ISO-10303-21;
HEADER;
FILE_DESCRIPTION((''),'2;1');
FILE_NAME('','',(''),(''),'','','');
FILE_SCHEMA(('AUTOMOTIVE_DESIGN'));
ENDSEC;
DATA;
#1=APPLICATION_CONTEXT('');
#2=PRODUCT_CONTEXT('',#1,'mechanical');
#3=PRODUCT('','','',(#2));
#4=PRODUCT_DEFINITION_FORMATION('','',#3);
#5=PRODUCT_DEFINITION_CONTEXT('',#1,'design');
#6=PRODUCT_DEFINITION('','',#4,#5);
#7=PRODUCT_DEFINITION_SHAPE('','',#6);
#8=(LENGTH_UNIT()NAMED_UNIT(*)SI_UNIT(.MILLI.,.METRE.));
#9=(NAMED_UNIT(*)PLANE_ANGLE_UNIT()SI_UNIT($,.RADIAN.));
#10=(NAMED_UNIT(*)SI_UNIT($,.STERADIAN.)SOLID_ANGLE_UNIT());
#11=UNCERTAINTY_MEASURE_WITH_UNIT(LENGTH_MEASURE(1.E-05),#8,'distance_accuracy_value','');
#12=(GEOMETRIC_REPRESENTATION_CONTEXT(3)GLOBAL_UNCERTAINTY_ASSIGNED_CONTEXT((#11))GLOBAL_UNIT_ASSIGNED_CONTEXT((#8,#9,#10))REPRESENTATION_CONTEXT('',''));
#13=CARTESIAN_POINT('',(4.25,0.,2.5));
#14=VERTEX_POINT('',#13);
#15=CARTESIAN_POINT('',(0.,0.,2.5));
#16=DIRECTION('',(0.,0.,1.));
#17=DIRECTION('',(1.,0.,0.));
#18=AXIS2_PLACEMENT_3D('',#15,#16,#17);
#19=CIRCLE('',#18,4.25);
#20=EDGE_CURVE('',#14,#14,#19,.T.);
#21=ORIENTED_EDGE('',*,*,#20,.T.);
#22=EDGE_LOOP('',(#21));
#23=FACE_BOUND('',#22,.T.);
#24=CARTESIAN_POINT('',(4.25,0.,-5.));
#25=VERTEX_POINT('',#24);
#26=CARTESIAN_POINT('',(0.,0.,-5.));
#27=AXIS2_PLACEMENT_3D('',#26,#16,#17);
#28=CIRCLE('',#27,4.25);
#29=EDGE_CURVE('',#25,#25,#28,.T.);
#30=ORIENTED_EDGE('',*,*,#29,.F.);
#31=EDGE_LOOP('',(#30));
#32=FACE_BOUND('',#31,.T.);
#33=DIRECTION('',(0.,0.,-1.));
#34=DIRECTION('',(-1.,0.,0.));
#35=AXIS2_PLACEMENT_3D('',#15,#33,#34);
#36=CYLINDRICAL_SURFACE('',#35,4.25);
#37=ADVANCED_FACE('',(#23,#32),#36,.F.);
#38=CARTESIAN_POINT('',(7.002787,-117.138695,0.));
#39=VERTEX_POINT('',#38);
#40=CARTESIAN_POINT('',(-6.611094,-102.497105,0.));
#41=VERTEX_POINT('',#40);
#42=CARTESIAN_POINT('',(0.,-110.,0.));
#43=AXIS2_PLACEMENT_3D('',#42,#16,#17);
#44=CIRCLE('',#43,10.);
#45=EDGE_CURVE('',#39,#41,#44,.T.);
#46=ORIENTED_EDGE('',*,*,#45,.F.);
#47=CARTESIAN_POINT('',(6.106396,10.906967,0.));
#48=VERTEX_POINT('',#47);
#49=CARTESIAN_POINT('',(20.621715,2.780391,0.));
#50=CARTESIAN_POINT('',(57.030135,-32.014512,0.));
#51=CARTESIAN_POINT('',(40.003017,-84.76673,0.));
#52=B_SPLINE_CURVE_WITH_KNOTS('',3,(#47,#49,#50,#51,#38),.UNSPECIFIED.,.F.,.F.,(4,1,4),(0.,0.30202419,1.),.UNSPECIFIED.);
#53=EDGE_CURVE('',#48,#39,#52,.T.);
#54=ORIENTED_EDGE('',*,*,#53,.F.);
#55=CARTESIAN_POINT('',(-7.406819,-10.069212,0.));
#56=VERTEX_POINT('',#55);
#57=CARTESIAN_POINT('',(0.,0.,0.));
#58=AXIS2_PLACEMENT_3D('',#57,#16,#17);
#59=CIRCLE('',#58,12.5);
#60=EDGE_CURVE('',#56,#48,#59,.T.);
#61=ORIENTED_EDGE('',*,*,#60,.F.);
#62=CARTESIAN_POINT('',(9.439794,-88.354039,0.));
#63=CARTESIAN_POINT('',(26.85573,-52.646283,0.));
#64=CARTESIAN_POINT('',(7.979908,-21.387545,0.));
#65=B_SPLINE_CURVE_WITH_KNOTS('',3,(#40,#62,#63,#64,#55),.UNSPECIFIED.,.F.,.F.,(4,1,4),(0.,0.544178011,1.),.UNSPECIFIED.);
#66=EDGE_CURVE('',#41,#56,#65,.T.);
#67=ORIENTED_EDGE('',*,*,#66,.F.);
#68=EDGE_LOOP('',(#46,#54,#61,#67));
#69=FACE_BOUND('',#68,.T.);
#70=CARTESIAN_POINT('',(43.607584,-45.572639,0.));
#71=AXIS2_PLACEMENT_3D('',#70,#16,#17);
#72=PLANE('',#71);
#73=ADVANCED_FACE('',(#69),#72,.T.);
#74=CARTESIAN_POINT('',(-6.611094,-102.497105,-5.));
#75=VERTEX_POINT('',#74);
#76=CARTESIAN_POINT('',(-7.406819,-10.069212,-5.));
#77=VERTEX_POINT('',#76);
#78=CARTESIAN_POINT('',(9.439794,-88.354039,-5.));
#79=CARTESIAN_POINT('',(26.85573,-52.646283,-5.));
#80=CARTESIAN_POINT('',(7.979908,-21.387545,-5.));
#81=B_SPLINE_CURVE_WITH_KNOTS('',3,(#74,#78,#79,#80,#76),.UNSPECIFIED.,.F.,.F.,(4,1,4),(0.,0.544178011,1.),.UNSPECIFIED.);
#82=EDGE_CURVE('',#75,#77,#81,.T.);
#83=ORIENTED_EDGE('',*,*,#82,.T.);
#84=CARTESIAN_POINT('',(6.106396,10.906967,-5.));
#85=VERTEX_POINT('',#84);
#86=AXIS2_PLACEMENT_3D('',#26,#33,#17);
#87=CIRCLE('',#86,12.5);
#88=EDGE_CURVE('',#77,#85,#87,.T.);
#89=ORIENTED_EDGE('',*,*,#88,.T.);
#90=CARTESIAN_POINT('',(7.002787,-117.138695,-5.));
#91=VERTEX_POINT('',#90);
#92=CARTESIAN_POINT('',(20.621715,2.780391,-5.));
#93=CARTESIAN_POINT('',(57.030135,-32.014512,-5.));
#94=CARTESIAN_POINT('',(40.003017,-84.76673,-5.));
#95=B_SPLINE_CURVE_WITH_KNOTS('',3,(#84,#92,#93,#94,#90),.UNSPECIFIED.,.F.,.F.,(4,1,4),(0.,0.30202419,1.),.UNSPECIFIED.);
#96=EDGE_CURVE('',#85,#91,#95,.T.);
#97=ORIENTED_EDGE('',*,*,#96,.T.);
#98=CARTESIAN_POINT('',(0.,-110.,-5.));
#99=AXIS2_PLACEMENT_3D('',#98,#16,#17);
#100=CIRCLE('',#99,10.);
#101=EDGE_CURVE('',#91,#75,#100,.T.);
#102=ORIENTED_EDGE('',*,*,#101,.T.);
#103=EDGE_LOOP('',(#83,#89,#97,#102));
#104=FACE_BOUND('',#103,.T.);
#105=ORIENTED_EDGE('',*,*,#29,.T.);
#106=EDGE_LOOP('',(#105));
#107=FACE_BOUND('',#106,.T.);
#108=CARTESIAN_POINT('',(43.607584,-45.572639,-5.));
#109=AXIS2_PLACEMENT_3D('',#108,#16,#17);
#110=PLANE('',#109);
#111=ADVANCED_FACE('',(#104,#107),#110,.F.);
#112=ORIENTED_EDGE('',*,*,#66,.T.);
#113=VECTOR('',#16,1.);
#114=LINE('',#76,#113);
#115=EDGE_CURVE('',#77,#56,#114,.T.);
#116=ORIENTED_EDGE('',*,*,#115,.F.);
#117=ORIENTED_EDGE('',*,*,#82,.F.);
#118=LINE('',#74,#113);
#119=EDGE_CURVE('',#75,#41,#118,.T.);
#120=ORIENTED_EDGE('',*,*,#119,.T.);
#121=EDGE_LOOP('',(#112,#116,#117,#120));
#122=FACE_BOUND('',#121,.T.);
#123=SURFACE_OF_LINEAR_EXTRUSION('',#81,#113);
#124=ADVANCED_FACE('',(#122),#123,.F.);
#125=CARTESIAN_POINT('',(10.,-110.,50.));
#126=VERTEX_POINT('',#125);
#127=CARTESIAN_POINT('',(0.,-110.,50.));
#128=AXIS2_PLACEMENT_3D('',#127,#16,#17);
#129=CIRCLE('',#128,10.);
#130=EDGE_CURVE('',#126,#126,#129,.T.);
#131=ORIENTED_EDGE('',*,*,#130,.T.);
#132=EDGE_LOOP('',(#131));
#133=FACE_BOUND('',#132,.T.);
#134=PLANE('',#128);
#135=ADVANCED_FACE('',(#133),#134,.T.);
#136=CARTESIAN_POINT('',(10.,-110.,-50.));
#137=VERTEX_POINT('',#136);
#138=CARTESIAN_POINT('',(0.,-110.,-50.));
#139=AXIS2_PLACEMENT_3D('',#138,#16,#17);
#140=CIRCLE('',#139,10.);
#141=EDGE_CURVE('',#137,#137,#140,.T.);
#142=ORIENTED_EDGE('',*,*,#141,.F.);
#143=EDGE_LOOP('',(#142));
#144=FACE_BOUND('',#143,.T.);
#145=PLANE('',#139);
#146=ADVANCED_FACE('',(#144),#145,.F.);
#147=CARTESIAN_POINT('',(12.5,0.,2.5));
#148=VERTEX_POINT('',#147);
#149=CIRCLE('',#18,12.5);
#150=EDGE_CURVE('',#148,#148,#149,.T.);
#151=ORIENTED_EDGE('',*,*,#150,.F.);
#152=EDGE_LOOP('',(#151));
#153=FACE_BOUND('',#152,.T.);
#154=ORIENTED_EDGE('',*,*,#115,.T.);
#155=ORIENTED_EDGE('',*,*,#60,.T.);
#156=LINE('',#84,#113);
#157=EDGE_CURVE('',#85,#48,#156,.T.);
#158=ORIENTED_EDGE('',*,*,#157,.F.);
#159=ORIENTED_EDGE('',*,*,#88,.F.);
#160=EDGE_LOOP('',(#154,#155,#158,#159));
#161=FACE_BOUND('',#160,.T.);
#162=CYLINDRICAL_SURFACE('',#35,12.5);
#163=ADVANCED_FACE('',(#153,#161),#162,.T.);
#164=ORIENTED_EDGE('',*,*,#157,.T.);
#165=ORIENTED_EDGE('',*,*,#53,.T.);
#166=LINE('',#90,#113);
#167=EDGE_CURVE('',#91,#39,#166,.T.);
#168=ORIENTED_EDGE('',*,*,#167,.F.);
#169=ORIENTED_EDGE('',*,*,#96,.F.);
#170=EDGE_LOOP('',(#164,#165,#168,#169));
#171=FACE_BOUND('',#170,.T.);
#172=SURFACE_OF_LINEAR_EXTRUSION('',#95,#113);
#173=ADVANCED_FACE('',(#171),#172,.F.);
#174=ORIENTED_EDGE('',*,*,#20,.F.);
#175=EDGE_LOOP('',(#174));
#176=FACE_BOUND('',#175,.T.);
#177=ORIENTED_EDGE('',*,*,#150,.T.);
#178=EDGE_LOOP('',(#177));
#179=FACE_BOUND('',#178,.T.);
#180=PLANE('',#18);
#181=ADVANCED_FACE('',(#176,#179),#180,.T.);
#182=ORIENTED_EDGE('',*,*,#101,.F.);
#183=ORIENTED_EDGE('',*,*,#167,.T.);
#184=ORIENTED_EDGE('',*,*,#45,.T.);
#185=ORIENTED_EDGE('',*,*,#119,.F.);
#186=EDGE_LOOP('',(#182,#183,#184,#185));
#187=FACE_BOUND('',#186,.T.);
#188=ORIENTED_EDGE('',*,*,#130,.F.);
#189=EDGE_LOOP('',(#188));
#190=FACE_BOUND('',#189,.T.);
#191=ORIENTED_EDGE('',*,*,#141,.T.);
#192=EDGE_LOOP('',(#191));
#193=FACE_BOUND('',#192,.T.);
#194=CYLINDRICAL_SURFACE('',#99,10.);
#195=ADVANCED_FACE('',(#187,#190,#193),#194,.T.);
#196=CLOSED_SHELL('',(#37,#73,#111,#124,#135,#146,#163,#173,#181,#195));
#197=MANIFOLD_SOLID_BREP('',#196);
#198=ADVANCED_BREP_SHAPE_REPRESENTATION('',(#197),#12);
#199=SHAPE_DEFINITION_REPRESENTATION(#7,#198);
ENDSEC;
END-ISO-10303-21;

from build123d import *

# Parameters (mm, degrees)
SKETCH1_R                = 12.5
SKETCH1_R_2              = 4.25
BOSS_EXTRUDE1_DEPTH      = 2.5
BOSS_EXTRUDE2_START      = 5
BOSS_EXTRUDE2_DEPTH      = 5
BOSS_EXTRUDE3_DEPTH      = 50
BOSS_EXTRUDE3_DEPTH_BACK = 50
SKETCH3_R                = 10
CUT_EXTRUDE1_START       = -40
SKETCH4_R                = 4.25
CUT_EXTRUDE1_DEPTH       = 40


with BuildPart() as part:
    # Sketch1 → Boss-Extrude1 (new body)
    with BuildSketch(Plane.XY):
        Circle(SKETCH1_R)
        Circle(SKETCH1_R_2, mode=Mode.SUBTRACT)
    extrude(amount=BOSS_EXTRUDE1_DEPTH)

    # Sketch2 → Boss-Extrude2 (add)
    with BuildSketch(Plane(origin=(0, 0, 0), x_dir=(-1, 0, 0), z_dir=(0, 0, -1)).offset(BOSS_EXTRUDE2_START)):
        with BuildLine():
            ThreePointArc((-6.106396375, 10.906966733), (10.50822507, 6.769579446), (7.406819033, -10.069212075))
            add(Edge.make_bspline(
                [(7.406819033, -10.069212075), (-7.979907505, -21.387545439), (-26.855730435, -52.646283336), (-9.439793984, -88.354039493), (6.611094261, -102.497105047)],
                knots=[0, 0, 0, 0, 0.455821989, 1, 1, 1, 1], degree=3))
            ThreePointArc((6.611094261, -102.497105047), (7.323414251, -116.809376161), (-7.00278738, -117.138695182))
            add(Edge.make_bspline(
                [(-6.106396375, 10.906966733), (-20.621715475, 2.78039093), (-57.030134585, -32.014511607), (-40.003016754, -84.766730291), (-7.00278738, -117.138695182)],
                knots=[0, 0, 0, 0, 0.30202419, 1, 1, 1, 1], degree=3))
        make_face()
    extrude(amount=-BOSS_EXTRUDE2_DEPTH)

    # Sketch3 → Boss-Extrude3 (add, two sides: drawn at the far end of the back side and taken through both)
    with BuildSketch(Plane.XY.offset(-BOSS_EXTRUDE3_DEPTH_BACK)):
        with Locations((0, -110)):
            Circle(SKETCH3_R)
    extrude(amount=BOSS_EXTRUDE3_DEPTH + BOSS_EXTRUDE3_DEPTH_BACK)

    # Sketch4 → Cut-Extrude1 (cut)
    with BuildSketch(Plane.XY.offset(CUT_EXTRUDE1_START)):
        Circle(SKETCH4_R)
    extrude(amount=CUT_EXTRUDE1_DEPTH, mode=Mode.SUBTRACT)


solid = part.part
